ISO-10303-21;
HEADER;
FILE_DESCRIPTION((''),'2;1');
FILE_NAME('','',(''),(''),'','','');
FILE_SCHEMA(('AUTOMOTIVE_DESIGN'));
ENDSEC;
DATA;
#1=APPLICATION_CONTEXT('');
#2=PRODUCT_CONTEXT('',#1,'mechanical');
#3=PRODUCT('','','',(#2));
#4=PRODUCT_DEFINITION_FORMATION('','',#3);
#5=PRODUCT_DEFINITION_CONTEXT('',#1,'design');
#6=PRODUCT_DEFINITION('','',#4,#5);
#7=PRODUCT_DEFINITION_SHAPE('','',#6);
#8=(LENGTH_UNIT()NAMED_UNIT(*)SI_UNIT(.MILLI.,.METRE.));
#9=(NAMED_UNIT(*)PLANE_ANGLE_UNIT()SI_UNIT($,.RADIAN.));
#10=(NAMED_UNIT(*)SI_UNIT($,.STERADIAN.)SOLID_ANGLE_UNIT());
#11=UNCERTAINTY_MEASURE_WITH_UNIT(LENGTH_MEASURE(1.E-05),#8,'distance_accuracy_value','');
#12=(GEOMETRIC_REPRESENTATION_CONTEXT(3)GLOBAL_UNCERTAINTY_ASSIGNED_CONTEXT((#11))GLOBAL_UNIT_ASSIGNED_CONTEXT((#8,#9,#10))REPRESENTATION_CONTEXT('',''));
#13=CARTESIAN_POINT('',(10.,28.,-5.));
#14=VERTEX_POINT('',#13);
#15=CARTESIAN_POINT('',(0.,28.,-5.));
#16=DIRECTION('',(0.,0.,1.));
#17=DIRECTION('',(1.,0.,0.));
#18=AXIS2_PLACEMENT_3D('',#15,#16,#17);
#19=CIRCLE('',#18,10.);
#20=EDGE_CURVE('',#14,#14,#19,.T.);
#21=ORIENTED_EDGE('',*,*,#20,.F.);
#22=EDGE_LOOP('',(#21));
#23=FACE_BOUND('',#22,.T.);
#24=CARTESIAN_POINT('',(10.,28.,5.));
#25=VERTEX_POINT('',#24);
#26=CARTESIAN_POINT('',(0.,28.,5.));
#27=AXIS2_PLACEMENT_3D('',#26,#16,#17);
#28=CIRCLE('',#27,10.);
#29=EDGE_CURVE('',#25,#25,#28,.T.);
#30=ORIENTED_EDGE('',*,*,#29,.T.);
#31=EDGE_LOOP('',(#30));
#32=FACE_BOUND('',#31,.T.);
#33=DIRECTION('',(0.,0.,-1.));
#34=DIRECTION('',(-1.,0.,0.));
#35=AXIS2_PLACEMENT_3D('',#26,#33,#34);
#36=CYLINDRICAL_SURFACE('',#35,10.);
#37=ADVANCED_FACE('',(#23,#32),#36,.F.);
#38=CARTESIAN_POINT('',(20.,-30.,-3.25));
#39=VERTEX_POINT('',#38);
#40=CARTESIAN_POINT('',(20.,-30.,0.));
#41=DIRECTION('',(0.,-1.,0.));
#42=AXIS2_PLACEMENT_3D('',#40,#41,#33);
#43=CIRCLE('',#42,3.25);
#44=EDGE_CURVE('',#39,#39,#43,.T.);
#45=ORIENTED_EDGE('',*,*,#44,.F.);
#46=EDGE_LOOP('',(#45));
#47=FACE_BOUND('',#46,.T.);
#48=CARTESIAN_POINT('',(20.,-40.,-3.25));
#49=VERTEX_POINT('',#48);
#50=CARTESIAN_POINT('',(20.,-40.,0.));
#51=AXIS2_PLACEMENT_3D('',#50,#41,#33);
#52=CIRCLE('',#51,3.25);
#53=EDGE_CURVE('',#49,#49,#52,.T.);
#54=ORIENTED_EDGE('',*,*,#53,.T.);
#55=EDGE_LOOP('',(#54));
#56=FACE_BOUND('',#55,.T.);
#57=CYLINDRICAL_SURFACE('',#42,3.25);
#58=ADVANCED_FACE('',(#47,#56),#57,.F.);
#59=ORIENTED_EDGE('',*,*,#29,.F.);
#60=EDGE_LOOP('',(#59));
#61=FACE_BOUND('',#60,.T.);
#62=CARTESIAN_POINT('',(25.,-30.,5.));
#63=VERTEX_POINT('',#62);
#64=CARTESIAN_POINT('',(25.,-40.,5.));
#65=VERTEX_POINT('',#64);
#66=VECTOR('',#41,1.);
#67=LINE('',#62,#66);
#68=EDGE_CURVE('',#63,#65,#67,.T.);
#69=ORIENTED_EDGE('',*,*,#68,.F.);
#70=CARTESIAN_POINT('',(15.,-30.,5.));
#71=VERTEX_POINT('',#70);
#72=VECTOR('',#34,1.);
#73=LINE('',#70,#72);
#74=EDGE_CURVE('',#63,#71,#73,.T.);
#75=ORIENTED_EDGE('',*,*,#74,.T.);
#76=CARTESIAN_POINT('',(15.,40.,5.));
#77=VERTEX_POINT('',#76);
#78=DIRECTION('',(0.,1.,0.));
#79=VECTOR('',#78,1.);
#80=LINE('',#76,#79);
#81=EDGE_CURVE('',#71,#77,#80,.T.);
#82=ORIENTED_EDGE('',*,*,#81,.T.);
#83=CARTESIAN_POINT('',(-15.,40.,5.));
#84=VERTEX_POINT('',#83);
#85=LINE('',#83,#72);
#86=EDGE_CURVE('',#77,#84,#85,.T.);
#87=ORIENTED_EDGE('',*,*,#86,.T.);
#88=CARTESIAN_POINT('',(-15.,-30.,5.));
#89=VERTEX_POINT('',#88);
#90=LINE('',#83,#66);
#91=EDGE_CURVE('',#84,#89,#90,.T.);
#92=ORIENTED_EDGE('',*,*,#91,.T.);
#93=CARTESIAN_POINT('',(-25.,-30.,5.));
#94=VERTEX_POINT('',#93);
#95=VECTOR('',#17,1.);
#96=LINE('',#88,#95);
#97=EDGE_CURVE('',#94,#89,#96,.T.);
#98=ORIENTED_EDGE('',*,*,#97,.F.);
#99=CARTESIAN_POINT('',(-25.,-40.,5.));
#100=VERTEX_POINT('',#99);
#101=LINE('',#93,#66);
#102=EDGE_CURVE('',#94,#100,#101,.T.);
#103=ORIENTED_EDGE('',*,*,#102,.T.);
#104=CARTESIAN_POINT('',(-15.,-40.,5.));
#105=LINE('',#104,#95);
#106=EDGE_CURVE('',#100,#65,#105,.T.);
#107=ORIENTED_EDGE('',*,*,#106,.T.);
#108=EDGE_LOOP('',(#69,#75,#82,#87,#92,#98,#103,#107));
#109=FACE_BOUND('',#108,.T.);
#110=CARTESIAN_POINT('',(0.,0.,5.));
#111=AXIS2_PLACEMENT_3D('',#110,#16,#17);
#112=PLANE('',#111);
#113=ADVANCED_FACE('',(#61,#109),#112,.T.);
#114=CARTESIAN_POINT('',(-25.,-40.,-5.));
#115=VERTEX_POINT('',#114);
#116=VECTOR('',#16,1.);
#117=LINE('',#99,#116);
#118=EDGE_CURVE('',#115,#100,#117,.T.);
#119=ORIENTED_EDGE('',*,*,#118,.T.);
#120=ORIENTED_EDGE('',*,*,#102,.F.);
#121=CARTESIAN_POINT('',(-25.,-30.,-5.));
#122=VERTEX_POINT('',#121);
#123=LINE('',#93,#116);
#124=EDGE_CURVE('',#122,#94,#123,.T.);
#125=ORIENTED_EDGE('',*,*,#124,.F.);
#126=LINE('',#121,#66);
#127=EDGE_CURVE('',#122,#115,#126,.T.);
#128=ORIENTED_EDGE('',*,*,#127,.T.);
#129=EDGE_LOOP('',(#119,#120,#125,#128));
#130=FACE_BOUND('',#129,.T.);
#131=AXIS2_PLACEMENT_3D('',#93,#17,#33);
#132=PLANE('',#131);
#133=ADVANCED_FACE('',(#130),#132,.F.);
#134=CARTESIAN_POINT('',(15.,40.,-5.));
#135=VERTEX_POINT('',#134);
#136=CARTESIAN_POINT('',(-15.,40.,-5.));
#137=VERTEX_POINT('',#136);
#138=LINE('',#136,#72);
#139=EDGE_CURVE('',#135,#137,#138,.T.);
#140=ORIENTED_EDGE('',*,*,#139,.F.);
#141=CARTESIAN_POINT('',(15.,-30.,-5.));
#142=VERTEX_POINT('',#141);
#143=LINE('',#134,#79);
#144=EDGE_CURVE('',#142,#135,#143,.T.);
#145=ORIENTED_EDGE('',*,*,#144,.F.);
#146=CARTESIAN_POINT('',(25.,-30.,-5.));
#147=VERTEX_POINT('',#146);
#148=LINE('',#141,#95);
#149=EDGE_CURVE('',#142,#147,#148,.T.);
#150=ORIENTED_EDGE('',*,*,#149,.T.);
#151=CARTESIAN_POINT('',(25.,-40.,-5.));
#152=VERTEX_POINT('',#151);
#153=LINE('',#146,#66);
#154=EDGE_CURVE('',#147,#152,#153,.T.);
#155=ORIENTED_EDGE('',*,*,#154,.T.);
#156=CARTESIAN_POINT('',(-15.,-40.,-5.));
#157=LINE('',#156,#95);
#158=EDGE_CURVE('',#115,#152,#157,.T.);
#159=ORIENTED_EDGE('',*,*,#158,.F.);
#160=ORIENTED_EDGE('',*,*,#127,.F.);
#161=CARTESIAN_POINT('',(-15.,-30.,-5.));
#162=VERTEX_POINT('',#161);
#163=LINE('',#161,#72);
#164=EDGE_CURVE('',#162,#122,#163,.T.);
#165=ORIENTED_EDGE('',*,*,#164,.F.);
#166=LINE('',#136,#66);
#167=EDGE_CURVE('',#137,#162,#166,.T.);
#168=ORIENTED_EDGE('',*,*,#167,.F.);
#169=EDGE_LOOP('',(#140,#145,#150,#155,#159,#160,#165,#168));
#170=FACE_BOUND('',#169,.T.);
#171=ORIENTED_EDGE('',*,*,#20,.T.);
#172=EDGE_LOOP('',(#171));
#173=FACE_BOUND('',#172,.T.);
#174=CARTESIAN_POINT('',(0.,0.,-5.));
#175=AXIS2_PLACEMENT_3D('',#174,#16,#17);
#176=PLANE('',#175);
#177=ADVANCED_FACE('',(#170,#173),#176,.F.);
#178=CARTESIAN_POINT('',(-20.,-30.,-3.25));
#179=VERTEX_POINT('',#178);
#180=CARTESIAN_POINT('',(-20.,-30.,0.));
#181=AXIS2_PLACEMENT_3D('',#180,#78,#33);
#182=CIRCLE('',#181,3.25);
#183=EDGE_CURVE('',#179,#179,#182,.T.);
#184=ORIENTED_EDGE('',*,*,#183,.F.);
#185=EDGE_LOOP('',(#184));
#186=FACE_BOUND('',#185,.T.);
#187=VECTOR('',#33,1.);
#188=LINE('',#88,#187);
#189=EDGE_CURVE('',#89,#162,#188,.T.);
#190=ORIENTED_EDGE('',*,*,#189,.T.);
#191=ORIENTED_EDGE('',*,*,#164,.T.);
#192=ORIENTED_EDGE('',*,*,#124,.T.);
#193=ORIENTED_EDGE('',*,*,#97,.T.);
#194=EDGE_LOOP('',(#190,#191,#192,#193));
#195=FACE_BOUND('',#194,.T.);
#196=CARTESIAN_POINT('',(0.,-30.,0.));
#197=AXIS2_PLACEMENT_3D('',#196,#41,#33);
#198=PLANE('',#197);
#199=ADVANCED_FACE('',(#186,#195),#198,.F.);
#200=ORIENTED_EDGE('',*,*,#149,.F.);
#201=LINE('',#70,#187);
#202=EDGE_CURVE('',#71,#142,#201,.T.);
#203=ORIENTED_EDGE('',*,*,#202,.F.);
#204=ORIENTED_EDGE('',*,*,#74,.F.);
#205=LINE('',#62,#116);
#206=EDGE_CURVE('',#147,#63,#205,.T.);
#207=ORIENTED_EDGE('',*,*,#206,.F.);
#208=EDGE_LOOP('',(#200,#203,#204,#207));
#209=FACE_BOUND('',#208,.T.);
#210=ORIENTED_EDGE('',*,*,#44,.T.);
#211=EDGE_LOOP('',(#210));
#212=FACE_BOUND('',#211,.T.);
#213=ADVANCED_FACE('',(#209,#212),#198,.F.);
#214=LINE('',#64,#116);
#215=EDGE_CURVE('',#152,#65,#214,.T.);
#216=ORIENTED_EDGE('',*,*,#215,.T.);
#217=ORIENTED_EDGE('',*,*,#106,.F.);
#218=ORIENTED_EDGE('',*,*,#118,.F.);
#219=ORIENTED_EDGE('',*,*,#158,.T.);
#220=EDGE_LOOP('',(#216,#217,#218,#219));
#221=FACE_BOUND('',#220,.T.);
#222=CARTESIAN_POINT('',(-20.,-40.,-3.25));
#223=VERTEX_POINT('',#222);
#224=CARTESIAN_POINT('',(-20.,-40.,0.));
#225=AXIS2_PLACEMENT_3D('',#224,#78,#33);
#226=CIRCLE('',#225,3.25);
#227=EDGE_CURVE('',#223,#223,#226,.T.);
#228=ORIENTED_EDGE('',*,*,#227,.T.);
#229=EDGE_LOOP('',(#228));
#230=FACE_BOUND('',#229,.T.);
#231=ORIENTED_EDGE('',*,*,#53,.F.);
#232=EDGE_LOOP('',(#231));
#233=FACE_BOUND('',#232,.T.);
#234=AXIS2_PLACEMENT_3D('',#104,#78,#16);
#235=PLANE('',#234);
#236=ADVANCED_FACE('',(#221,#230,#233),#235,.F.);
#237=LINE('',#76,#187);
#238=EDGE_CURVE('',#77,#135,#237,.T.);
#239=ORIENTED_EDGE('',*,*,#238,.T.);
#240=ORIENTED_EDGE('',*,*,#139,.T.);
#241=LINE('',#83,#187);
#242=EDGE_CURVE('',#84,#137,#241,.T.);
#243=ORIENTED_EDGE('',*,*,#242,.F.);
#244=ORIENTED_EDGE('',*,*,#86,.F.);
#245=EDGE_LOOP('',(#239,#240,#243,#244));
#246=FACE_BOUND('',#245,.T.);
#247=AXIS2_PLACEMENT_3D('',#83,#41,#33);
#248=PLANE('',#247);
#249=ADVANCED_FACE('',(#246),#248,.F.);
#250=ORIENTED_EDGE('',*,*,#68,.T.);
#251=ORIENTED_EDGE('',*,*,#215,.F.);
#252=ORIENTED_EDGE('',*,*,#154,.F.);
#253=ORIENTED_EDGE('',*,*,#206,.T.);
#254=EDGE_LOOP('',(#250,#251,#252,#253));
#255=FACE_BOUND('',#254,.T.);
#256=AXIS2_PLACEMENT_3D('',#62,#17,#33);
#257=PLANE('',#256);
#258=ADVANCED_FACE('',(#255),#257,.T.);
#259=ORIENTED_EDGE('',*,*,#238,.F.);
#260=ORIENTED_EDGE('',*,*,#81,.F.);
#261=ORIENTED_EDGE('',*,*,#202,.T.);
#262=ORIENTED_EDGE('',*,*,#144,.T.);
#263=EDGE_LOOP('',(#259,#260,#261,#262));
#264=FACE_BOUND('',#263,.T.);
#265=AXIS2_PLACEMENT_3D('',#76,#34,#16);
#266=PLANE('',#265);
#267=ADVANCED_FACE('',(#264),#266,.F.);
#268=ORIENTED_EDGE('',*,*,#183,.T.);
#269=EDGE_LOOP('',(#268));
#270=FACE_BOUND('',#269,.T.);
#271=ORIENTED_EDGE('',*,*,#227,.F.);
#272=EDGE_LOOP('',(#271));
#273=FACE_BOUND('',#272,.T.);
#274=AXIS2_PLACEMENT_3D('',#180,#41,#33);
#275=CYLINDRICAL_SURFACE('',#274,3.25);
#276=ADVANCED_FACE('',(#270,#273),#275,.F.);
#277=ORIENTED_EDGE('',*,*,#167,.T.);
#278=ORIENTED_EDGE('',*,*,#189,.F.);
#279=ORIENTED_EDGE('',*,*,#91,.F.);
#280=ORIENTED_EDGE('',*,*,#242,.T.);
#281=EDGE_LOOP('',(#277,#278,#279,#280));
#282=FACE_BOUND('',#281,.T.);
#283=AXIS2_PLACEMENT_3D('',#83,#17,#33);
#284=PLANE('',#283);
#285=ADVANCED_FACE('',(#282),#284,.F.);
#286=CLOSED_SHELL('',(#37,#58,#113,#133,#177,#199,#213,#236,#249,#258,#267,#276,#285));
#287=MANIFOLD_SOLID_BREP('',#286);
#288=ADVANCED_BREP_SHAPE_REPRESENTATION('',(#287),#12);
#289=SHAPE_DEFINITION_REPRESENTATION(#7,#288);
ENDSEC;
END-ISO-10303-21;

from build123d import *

# Parameters (mm, degrees)
SKETCH1_W           = 30
SKETCH1_H           = 80
SKETCH1_R           = 10
BOSS_EXTRUDE1_DEPTH = 5
SKETCH2_W           = 10
SKETCH2_H           = 10
SKETCH2_R           = 3.25
BOSS_EXTRUDE2_DEPTH = 10


with BuildPart() as part:
    # Sketch1 → Boss-Extrude1 (new body, symmetric)
    with BuildSketch(Plane.XY):
        Rectangle(SKETCH1_W, SKETCH1_H)
        with Locations((0, 28)):
            Circle(SKETCH1_R, mode=Mode.SUBTRACT)
    extrude(amount=BOSS_EXTRUDE1_DEPTH, both=True)

    # Sketch2 → Boss-Extrude2 (add)
    with BuildSketch(Plane.XZ.offset(40)):
        with Locations((20, 0)):
            Rectangle(SKETCH2_W, SKETCH2_H)
        with Locations((20, 0)):
            Circle(SKETCH2_R, mode=Mode.SUBTRACT)
    boss_extrude2 = extrude(amount=-BOSS_EXTRUDE2_DEPTH)

    # Mirror1: Boss-Extrude2 across plane
    add(boss_extrude2.mirror(Plane(origin=(0, 0, 0), x_dir=(0, 0, 1), z_dir=(1, 0, 0))))


solid = part.part
